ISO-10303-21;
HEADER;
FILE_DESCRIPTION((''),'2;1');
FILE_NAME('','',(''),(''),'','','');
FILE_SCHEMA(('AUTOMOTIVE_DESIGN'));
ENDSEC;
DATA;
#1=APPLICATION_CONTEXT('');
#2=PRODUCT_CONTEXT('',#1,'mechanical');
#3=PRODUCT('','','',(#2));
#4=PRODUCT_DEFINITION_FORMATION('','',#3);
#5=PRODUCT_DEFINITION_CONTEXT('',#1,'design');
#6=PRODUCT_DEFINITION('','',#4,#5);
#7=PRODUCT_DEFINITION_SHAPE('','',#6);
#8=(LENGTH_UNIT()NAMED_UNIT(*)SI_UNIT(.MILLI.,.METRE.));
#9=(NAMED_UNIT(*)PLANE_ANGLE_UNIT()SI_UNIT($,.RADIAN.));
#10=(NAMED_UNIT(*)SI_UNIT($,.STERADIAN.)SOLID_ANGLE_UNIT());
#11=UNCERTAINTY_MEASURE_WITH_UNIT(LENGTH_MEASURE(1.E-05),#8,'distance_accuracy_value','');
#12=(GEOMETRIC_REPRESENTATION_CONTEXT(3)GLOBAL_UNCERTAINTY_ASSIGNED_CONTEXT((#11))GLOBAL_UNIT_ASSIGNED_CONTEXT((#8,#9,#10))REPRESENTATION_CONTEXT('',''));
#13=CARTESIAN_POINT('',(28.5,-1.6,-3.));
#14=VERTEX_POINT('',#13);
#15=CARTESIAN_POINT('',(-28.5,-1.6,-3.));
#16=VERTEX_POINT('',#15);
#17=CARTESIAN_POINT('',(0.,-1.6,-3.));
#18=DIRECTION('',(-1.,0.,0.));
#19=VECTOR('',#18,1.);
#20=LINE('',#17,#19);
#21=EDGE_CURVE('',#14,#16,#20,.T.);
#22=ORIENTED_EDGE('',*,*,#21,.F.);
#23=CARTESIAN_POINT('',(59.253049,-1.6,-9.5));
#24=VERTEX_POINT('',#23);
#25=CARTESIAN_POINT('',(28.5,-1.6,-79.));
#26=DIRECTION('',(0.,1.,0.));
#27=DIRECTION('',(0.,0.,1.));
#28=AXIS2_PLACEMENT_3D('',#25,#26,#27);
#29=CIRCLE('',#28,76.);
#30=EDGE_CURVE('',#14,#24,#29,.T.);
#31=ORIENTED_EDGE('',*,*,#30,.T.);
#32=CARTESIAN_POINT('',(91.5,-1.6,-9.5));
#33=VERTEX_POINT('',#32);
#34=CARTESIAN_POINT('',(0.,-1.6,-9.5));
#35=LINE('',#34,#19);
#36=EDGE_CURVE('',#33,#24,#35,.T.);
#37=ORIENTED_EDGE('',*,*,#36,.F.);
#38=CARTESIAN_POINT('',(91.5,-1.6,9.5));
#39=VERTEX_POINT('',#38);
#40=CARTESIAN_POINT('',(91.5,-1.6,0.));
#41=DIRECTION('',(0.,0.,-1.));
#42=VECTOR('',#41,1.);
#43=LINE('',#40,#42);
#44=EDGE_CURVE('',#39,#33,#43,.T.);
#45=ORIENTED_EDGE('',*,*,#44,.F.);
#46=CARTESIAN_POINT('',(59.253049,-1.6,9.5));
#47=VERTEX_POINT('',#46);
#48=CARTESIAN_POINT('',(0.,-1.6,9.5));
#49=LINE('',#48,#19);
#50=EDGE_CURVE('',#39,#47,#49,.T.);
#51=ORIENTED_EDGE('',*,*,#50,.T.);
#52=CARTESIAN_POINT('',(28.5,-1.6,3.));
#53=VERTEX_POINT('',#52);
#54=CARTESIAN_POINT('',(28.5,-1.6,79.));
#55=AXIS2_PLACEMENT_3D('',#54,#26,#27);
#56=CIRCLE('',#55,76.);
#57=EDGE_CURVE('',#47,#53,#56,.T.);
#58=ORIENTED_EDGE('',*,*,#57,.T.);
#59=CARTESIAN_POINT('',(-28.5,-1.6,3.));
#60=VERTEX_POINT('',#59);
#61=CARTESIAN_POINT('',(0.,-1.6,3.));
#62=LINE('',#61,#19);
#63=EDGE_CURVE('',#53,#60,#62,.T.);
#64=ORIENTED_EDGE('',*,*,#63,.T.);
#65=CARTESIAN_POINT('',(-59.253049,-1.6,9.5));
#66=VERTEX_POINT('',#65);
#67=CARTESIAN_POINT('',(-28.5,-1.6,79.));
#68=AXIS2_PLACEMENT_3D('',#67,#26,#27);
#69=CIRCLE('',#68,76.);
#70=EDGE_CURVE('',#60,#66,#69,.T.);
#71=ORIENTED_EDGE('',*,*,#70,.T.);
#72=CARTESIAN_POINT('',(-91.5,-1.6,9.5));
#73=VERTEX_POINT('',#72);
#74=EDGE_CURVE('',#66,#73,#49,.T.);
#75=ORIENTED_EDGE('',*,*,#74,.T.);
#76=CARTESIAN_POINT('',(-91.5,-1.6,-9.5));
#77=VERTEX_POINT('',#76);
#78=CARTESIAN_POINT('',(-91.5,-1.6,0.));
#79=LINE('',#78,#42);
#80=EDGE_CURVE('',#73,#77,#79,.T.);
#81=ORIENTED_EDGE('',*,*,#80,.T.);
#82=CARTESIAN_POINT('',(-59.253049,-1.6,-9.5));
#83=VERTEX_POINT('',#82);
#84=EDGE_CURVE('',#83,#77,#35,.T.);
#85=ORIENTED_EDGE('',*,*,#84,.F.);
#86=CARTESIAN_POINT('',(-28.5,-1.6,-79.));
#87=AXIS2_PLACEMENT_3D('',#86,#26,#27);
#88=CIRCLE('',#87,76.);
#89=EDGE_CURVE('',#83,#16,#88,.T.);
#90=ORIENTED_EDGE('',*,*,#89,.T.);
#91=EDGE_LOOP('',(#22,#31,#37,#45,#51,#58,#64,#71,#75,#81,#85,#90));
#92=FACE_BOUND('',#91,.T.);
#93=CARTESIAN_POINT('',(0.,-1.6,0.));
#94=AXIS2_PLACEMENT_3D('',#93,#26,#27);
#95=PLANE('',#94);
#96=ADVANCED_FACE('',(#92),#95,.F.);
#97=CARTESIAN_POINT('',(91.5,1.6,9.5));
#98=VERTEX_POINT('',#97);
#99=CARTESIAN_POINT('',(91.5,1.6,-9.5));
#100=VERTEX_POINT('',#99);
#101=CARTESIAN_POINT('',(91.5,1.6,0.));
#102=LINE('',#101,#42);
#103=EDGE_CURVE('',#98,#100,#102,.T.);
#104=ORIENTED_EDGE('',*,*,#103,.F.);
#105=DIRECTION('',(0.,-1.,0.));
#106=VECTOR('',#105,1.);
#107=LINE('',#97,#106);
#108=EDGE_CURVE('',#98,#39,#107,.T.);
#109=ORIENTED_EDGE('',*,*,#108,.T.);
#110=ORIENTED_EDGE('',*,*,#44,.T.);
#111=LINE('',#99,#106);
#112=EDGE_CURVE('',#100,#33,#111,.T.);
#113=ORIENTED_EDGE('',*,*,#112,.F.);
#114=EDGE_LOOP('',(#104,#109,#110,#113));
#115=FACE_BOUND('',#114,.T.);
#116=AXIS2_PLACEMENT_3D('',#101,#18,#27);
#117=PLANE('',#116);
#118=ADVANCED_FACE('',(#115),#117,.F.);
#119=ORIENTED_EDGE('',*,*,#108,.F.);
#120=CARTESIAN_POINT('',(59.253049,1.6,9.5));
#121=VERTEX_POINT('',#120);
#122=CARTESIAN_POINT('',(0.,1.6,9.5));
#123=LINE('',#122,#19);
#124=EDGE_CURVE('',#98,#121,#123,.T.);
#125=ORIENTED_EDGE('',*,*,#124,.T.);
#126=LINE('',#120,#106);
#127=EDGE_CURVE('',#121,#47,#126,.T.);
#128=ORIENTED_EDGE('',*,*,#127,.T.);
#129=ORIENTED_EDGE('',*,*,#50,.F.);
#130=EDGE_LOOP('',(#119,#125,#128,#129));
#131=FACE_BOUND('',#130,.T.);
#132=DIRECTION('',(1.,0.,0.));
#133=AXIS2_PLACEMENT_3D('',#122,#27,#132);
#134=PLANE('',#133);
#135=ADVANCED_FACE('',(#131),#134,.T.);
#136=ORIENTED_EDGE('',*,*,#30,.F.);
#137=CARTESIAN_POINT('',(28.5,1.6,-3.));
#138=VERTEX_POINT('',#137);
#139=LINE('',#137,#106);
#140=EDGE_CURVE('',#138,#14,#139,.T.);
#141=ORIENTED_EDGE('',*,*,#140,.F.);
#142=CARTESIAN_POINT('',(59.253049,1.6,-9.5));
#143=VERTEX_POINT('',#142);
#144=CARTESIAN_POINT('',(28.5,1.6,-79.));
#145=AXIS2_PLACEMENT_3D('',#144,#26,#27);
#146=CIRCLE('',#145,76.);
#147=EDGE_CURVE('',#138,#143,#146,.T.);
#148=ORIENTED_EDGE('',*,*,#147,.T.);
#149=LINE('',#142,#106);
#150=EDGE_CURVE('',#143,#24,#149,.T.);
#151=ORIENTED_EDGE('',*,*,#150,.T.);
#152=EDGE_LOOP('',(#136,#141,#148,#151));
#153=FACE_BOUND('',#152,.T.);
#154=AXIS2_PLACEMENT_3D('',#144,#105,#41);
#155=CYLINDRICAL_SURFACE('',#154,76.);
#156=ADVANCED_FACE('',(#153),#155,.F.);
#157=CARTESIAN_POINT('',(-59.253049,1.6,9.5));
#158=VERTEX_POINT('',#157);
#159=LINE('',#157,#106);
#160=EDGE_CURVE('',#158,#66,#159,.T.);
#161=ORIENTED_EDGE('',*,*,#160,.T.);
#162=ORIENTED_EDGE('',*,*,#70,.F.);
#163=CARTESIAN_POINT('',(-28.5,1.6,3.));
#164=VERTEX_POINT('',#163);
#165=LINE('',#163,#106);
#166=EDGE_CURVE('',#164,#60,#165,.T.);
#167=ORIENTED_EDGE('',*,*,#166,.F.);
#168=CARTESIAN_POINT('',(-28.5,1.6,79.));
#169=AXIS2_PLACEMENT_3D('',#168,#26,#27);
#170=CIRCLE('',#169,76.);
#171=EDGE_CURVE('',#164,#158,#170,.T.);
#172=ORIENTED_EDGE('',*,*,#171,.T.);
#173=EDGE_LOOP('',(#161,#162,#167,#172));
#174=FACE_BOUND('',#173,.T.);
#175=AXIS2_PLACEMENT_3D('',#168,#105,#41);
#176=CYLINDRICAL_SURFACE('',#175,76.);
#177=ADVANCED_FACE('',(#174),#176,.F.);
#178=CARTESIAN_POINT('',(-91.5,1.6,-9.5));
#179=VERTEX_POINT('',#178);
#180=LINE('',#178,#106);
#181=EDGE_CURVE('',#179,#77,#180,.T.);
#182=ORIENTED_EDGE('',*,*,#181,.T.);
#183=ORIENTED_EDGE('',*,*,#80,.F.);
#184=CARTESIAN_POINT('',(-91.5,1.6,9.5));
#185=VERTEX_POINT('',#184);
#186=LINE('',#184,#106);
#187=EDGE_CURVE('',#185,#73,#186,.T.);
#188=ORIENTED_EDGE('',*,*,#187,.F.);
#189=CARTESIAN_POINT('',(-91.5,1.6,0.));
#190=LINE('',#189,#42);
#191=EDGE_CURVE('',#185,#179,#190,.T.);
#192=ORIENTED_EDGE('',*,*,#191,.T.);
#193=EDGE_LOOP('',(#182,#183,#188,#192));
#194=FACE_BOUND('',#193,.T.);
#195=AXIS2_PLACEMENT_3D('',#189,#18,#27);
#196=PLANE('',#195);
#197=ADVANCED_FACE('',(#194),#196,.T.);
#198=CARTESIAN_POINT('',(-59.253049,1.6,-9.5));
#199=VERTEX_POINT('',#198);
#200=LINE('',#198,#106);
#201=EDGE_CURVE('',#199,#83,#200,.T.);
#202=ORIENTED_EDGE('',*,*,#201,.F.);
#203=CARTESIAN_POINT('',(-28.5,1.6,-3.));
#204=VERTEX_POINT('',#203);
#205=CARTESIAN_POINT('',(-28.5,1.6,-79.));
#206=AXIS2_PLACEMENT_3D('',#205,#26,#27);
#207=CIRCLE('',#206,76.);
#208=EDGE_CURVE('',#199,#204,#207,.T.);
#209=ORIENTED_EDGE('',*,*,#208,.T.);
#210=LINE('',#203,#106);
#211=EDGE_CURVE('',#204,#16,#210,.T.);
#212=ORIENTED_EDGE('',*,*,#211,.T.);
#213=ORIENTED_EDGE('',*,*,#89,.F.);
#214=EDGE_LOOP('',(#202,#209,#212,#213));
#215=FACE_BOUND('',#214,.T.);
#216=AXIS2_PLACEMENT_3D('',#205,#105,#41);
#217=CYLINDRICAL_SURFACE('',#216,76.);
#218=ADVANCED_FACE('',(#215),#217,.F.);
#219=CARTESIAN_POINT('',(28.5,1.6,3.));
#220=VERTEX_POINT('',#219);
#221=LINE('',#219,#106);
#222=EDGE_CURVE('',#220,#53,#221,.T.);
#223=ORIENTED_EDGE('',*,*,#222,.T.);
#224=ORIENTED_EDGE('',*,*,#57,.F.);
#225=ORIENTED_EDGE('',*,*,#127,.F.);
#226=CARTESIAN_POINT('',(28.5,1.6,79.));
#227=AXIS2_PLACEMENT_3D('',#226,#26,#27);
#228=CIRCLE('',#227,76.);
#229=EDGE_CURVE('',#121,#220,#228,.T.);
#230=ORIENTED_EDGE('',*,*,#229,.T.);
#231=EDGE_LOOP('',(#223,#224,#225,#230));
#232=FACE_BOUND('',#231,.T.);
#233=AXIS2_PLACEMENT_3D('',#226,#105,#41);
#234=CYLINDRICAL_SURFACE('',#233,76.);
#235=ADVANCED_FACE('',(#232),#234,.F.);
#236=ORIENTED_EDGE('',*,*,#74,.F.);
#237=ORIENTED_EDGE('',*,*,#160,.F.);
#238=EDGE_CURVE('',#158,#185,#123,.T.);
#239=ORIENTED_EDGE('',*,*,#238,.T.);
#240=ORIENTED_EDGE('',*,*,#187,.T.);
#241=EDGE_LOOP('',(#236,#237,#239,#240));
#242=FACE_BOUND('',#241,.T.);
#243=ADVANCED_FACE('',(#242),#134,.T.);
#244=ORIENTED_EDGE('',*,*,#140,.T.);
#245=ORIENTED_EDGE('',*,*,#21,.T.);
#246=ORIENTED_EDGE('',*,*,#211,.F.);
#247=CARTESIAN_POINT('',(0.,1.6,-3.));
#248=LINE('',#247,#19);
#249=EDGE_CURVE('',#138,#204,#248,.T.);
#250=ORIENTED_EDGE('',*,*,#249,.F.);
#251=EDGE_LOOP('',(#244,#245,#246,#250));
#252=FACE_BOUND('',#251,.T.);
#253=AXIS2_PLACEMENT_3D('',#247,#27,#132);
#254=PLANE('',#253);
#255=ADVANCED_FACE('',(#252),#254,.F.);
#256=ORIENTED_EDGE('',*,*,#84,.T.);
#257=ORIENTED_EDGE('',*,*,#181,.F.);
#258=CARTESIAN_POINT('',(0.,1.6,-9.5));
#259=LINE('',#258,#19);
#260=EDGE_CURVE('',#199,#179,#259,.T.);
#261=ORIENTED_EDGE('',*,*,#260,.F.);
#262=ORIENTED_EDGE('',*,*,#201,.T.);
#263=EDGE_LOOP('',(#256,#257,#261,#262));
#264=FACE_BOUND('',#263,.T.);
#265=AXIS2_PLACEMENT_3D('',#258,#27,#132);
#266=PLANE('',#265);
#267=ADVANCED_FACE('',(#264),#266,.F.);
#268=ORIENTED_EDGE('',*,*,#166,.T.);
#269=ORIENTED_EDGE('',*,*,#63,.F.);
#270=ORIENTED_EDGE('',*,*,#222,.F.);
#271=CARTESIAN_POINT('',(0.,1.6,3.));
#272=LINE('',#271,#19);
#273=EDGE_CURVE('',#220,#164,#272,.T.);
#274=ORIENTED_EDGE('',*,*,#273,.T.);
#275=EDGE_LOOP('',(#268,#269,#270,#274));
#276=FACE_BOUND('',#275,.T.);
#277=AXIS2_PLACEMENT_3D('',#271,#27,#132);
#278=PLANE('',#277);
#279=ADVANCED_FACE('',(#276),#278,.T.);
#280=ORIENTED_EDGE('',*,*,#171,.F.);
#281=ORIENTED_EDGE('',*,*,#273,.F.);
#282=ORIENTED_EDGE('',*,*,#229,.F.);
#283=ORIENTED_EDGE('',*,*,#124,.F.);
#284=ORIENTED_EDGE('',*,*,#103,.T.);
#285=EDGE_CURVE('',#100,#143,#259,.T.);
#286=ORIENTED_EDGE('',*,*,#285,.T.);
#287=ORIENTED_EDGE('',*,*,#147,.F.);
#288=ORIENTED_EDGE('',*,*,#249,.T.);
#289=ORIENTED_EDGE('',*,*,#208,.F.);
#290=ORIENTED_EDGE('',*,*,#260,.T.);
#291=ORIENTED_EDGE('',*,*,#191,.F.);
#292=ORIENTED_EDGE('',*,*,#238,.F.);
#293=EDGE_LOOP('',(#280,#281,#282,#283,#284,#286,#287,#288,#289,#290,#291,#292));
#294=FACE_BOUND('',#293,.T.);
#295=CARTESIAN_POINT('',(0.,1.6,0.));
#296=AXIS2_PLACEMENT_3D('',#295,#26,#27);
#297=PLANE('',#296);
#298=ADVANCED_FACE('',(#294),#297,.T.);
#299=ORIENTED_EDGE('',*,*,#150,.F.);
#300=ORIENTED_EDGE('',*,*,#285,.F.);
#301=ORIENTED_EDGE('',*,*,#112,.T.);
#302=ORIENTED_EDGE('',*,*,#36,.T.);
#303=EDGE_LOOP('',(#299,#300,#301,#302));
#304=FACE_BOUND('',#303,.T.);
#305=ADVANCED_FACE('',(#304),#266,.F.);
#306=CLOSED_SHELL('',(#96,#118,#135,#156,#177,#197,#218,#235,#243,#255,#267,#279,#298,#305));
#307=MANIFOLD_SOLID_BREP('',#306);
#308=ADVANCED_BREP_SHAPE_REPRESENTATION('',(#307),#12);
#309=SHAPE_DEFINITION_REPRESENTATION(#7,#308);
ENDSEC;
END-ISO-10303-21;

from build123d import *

# Parameters (mm, degrees)
CROQUIS1_W              = 57
CROQUIS1_H              = 6
SALIENTE_EXTRUIR1_DEPTH = 1.6


with BuildPart() as part:
    # Croquis1 → Saliente-Extruir1 (new body, symmetric)
    with BuildSketch(Plane(origin=(0, 0, 0), x_dir=(1, 0, 0), z_dir=(0, 1, 0))):
        with BuildLine():
            Line((-91.5, -9.5), (-59.253048629, -9.5))
            ThreePointArc((-59.253048629, -9.5), (-44.216233646, -4.64275422), (-28.5, -3))
            Line((-28.5, -3), (-28.5, 3))
            ThreePointArc((-28.5, 3), (-44.216233646, 4.64275422), (-59.253048629, 9.5))
            Line((-59.253048629, 9.5), (-91.5, 9.5))
            Line((-91.5, 9.5), (-91.5, -9.5))
        make_face()
        with BuildLine():
            Line((59.253048629, -9.5), (91.5, -9.5))
            Line((91.5, -9.5), (91.5, 9.5))
            Line((91.5, 9.5), (59.253048629, 9.5))
            ThreePointArc((59.253048629, 9.5), (44.216233646, 4.64275422), (28.5, 3))
            Line((28.5, 3), (28.5, -3))
            ThreePointArc((28.5, -3), (44.216233646, -4.64275422), (59.253048629, -9.5))
        make_face()
        Rectangle(CROQUIS1_W, CROQUIS1_H)
    extrude(amount=SALIENTE_EXTRUIR1_DEPTH, both=True)


solid = part.part
